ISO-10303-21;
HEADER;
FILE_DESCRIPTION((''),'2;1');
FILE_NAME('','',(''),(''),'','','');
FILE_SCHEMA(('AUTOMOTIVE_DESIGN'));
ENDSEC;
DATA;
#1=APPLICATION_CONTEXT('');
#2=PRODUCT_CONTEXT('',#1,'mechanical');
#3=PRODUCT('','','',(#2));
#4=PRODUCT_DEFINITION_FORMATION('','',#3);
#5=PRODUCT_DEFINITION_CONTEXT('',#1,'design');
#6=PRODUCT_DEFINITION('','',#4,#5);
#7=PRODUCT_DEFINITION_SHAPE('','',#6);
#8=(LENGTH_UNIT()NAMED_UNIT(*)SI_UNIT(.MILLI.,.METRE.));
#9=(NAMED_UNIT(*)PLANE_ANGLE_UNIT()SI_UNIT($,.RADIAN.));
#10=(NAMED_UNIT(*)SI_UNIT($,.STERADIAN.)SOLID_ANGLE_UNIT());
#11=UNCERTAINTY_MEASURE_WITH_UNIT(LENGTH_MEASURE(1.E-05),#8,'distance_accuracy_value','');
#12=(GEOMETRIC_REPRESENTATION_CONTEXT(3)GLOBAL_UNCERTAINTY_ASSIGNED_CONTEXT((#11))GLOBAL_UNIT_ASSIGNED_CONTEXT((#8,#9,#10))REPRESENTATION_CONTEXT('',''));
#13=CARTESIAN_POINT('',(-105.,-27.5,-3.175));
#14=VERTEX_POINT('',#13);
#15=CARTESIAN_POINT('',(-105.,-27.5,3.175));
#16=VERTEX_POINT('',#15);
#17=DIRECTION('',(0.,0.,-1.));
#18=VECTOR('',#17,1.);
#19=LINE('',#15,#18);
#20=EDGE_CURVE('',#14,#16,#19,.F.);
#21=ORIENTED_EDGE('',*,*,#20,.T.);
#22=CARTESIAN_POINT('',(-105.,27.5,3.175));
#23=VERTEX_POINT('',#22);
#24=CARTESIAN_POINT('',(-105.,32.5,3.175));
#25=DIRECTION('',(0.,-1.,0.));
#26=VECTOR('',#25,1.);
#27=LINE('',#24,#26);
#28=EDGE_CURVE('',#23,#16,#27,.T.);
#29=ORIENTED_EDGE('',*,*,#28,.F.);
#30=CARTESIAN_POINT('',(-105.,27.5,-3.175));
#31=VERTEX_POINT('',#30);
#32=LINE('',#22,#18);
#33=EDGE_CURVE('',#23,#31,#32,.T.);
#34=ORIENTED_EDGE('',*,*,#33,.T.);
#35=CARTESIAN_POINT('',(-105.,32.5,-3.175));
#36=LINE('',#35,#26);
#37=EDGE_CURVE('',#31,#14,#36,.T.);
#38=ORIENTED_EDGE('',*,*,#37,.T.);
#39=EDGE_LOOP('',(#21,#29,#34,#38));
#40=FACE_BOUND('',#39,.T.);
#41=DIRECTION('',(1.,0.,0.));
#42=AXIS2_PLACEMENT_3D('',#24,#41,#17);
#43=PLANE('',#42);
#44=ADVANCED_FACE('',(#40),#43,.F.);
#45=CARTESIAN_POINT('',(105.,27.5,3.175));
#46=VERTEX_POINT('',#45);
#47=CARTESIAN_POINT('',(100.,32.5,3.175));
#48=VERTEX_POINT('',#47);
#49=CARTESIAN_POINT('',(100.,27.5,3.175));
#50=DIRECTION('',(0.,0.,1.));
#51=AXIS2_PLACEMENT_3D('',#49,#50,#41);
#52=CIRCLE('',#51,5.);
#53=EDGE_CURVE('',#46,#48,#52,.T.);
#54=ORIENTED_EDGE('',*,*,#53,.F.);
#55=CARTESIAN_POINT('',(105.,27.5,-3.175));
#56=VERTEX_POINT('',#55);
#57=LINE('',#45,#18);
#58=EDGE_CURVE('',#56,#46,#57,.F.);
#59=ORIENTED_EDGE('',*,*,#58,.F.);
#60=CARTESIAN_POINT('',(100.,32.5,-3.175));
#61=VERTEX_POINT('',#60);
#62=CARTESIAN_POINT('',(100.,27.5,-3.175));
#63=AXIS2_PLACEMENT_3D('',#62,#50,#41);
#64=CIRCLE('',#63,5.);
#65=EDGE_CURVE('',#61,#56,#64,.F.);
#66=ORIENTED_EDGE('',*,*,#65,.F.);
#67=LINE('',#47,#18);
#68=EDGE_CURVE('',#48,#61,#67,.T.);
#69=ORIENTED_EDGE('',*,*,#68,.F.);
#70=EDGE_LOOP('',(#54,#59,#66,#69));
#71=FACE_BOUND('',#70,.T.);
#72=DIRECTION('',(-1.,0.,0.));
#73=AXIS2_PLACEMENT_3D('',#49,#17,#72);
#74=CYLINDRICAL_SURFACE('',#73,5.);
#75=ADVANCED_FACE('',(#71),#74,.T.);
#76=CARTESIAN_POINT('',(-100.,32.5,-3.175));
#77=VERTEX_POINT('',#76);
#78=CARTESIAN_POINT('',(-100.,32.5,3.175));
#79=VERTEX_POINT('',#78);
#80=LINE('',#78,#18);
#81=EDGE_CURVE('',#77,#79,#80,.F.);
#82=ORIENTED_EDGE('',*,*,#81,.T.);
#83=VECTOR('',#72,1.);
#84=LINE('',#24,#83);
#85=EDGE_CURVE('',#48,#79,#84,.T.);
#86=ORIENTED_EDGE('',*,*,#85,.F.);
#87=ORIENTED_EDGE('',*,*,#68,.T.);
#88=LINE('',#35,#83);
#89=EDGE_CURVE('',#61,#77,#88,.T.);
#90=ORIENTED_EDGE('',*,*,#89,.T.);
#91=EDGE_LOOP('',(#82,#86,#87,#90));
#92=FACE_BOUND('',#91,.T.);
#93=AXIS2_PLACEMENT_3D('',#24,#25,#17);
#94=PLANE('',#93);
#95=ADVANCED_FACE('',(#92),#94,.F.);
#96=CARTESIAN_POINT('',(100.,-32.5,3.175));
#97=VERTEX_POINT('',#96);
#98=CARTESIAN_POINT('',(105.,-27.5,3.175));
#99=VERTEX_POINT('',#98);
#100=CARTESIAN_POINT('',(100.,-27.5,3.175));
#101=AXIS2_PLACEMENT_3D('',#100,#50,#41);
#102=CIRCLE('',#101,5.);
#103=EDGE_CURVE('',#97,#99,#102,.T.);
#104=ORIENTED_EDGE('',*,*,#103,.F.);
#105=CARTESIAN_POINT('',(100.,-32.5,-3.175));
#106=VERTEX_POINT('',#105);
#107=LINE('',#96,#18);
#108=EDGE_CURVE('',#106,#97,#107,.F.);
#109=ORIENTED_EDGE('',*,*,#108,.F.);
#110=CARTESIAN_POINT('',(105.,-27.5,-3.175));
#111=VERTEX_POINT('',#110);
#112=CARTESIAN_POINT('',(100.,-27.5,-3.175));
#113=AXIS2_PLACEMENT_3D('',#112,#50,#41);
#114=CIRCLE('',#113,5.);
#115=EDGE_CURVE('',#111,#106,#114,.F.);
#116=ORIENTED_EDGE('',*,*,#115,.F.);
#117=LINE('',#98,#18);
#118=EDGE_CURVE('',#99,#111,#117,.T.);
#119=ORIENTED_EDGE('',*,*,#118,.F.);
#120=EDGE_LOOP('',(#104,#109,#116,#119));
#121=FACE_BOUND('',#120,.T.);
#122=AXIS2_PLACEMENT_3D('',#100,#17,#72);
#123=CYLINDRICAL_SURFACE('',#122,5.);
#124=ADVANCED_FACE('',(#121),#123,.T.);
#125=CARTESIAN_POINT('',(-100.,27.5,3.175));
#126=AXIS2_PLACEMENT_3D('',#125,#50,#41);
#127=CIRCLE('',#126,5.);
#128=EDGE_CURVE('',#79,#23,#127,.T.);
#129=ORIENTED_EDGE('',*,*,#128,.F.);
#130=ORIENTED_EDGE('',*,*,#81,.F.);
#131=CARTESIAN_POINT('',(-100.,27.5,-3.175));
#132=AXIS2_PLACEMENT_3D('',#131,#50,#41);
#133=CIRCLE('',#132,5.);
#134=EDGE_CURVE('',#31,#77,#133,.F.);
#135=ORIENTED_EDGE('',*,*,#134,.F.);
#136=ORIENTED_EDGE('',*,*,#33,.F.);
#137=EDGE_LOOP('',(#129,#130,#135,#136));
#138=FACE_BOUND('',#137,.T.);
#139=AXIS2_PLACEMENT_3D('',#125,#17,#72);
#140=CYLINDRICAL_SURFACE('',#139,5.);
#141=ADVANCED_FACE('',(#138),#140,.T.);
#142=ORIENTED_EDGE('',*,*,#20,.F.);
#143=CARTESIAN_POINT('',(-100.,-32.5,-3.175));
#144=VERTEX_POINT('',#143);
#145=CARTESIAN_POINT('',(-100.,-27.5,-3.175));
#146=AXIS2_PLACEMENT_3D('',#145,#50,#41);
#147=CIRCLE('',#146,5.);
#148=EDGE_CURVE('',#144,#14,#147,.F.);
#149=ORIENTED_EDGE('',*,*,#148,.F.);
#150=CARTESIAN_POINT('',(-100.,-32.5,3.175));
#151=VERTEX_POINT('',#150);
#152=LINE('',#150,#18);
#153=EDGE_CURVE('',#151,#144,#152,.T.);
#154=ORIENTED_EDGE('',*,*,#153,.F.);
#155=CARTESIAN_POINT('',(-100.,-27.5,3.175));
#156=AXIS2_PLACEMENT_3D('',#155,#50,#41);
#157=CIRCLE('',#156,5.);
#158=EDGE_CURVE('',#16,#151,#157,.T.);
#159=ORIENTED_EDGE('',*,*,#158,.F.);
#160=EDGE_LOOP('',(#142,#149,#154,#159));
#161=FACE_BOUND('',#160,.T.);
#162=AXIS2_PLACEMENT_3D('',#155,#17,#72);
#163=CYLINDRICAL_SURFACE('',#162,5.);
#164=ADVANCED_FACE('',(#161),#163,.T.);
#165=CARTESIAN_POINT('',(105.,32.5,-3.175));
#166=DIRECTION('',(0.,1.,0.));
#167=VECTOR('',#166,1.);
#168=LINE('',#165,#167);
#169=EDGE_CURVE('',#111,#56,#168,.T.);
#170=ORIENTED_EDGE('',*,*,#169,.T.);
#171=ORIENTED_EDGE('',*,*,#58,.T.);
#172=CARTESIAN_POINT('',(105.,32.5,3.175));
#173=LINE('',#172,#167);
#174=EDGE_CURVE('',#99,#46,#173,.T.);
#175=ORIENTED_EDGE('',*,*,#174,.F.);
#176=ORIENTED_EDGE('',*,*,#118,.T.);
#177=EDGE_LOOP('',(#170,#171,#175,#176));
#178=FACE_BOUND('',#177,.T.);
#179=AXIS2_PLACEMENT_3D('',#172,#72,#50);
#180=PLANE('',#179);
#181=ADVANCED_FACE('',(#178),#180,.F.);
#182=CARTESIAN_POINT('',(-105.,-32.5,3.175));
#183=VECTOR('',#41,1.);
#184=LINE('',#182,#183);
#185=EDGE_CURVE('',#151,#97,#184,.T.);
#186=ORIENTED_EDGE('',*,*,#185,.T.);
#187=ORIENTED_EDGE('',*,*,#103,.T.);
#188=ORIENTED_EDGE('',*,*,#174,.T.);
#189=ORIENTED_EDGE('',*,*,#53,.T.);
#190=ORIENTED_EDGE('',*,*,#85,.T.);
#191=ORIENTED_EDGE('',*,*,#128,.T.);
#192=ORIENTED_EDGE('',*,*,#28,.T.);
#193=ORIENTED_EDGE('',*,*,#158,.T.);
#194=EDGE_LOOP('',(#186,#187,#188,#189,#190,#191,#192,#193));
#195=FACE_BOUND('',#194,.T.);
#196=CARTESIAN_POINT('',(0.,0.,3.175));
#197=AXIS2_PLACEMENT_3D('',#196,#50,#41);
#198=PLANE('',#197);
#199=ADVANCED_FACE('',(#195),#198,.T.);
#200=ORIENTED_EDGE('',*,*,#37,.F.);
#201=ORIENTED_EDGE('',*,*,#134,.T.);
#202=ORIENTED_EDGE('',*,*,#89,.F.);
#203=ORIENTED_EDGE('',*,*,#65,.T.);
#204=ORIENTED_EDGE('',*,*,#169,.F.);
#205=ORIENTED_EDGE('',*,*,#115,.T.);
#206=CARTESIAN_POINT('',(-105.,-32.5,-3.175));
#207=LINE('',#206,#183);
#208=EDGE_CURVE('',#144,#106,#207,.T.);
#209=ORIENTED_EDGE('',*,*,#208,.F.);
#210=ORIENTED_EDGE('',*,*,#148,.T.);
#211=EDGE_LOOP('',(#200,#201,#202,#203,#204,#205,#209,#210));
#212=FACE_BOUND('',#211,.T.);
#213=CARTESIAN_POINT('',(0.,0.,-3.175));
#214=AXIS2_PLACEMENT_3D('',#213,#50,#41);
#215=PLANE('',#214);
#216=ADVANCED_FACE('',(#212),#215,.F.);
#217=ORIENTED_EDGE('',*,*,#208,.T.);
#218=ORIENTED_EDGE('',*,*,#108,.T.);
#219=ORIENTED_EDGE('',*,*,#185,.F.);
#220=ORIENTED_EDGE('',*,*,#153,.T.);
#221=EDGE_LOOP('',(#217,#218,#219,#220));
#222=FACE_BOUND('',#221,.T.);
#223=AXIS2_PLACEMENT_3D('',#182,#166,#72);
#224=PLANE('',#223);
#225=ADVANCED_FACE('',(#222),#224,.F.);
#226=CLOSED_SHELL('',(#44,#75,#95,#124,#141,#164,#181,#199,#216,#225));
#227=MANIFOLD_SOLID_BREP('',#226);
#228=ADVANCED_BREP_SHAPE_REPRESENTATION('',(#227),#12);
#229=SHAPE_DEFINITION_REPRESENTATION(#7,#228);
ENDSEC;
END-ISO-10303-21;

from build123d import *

# Parameters (mm, degrees)
SKETCH1_W           = 210
SKETCH1_H           = 65
BOSS_EXTRUDE1_DEPTH = 3.175
FILLET1_R           = 5


with BuildPart() as part:
    # Sketch1 → Boss-Extrude1 (new body, symmetric)
    with BuildSketch(Plane.XY):
        Rectangle(SKETCH1_W, SKETCH1_H)
    extrude(amount=BOSS_EXTRUDE1_DEPTH, both=True)

    # Fillet1
    fillet1_edges = [part.edges().sort_by_distance(p)[0] for p in [
        (-105, 32.5, 0),
        (105, 32.5, 0),
        (105, -32.5, 0),
        (-105, -32.5, 0),
    ]]
    fillet(fillet1_edges, radius=FILLET1_R)


solid = part.part
